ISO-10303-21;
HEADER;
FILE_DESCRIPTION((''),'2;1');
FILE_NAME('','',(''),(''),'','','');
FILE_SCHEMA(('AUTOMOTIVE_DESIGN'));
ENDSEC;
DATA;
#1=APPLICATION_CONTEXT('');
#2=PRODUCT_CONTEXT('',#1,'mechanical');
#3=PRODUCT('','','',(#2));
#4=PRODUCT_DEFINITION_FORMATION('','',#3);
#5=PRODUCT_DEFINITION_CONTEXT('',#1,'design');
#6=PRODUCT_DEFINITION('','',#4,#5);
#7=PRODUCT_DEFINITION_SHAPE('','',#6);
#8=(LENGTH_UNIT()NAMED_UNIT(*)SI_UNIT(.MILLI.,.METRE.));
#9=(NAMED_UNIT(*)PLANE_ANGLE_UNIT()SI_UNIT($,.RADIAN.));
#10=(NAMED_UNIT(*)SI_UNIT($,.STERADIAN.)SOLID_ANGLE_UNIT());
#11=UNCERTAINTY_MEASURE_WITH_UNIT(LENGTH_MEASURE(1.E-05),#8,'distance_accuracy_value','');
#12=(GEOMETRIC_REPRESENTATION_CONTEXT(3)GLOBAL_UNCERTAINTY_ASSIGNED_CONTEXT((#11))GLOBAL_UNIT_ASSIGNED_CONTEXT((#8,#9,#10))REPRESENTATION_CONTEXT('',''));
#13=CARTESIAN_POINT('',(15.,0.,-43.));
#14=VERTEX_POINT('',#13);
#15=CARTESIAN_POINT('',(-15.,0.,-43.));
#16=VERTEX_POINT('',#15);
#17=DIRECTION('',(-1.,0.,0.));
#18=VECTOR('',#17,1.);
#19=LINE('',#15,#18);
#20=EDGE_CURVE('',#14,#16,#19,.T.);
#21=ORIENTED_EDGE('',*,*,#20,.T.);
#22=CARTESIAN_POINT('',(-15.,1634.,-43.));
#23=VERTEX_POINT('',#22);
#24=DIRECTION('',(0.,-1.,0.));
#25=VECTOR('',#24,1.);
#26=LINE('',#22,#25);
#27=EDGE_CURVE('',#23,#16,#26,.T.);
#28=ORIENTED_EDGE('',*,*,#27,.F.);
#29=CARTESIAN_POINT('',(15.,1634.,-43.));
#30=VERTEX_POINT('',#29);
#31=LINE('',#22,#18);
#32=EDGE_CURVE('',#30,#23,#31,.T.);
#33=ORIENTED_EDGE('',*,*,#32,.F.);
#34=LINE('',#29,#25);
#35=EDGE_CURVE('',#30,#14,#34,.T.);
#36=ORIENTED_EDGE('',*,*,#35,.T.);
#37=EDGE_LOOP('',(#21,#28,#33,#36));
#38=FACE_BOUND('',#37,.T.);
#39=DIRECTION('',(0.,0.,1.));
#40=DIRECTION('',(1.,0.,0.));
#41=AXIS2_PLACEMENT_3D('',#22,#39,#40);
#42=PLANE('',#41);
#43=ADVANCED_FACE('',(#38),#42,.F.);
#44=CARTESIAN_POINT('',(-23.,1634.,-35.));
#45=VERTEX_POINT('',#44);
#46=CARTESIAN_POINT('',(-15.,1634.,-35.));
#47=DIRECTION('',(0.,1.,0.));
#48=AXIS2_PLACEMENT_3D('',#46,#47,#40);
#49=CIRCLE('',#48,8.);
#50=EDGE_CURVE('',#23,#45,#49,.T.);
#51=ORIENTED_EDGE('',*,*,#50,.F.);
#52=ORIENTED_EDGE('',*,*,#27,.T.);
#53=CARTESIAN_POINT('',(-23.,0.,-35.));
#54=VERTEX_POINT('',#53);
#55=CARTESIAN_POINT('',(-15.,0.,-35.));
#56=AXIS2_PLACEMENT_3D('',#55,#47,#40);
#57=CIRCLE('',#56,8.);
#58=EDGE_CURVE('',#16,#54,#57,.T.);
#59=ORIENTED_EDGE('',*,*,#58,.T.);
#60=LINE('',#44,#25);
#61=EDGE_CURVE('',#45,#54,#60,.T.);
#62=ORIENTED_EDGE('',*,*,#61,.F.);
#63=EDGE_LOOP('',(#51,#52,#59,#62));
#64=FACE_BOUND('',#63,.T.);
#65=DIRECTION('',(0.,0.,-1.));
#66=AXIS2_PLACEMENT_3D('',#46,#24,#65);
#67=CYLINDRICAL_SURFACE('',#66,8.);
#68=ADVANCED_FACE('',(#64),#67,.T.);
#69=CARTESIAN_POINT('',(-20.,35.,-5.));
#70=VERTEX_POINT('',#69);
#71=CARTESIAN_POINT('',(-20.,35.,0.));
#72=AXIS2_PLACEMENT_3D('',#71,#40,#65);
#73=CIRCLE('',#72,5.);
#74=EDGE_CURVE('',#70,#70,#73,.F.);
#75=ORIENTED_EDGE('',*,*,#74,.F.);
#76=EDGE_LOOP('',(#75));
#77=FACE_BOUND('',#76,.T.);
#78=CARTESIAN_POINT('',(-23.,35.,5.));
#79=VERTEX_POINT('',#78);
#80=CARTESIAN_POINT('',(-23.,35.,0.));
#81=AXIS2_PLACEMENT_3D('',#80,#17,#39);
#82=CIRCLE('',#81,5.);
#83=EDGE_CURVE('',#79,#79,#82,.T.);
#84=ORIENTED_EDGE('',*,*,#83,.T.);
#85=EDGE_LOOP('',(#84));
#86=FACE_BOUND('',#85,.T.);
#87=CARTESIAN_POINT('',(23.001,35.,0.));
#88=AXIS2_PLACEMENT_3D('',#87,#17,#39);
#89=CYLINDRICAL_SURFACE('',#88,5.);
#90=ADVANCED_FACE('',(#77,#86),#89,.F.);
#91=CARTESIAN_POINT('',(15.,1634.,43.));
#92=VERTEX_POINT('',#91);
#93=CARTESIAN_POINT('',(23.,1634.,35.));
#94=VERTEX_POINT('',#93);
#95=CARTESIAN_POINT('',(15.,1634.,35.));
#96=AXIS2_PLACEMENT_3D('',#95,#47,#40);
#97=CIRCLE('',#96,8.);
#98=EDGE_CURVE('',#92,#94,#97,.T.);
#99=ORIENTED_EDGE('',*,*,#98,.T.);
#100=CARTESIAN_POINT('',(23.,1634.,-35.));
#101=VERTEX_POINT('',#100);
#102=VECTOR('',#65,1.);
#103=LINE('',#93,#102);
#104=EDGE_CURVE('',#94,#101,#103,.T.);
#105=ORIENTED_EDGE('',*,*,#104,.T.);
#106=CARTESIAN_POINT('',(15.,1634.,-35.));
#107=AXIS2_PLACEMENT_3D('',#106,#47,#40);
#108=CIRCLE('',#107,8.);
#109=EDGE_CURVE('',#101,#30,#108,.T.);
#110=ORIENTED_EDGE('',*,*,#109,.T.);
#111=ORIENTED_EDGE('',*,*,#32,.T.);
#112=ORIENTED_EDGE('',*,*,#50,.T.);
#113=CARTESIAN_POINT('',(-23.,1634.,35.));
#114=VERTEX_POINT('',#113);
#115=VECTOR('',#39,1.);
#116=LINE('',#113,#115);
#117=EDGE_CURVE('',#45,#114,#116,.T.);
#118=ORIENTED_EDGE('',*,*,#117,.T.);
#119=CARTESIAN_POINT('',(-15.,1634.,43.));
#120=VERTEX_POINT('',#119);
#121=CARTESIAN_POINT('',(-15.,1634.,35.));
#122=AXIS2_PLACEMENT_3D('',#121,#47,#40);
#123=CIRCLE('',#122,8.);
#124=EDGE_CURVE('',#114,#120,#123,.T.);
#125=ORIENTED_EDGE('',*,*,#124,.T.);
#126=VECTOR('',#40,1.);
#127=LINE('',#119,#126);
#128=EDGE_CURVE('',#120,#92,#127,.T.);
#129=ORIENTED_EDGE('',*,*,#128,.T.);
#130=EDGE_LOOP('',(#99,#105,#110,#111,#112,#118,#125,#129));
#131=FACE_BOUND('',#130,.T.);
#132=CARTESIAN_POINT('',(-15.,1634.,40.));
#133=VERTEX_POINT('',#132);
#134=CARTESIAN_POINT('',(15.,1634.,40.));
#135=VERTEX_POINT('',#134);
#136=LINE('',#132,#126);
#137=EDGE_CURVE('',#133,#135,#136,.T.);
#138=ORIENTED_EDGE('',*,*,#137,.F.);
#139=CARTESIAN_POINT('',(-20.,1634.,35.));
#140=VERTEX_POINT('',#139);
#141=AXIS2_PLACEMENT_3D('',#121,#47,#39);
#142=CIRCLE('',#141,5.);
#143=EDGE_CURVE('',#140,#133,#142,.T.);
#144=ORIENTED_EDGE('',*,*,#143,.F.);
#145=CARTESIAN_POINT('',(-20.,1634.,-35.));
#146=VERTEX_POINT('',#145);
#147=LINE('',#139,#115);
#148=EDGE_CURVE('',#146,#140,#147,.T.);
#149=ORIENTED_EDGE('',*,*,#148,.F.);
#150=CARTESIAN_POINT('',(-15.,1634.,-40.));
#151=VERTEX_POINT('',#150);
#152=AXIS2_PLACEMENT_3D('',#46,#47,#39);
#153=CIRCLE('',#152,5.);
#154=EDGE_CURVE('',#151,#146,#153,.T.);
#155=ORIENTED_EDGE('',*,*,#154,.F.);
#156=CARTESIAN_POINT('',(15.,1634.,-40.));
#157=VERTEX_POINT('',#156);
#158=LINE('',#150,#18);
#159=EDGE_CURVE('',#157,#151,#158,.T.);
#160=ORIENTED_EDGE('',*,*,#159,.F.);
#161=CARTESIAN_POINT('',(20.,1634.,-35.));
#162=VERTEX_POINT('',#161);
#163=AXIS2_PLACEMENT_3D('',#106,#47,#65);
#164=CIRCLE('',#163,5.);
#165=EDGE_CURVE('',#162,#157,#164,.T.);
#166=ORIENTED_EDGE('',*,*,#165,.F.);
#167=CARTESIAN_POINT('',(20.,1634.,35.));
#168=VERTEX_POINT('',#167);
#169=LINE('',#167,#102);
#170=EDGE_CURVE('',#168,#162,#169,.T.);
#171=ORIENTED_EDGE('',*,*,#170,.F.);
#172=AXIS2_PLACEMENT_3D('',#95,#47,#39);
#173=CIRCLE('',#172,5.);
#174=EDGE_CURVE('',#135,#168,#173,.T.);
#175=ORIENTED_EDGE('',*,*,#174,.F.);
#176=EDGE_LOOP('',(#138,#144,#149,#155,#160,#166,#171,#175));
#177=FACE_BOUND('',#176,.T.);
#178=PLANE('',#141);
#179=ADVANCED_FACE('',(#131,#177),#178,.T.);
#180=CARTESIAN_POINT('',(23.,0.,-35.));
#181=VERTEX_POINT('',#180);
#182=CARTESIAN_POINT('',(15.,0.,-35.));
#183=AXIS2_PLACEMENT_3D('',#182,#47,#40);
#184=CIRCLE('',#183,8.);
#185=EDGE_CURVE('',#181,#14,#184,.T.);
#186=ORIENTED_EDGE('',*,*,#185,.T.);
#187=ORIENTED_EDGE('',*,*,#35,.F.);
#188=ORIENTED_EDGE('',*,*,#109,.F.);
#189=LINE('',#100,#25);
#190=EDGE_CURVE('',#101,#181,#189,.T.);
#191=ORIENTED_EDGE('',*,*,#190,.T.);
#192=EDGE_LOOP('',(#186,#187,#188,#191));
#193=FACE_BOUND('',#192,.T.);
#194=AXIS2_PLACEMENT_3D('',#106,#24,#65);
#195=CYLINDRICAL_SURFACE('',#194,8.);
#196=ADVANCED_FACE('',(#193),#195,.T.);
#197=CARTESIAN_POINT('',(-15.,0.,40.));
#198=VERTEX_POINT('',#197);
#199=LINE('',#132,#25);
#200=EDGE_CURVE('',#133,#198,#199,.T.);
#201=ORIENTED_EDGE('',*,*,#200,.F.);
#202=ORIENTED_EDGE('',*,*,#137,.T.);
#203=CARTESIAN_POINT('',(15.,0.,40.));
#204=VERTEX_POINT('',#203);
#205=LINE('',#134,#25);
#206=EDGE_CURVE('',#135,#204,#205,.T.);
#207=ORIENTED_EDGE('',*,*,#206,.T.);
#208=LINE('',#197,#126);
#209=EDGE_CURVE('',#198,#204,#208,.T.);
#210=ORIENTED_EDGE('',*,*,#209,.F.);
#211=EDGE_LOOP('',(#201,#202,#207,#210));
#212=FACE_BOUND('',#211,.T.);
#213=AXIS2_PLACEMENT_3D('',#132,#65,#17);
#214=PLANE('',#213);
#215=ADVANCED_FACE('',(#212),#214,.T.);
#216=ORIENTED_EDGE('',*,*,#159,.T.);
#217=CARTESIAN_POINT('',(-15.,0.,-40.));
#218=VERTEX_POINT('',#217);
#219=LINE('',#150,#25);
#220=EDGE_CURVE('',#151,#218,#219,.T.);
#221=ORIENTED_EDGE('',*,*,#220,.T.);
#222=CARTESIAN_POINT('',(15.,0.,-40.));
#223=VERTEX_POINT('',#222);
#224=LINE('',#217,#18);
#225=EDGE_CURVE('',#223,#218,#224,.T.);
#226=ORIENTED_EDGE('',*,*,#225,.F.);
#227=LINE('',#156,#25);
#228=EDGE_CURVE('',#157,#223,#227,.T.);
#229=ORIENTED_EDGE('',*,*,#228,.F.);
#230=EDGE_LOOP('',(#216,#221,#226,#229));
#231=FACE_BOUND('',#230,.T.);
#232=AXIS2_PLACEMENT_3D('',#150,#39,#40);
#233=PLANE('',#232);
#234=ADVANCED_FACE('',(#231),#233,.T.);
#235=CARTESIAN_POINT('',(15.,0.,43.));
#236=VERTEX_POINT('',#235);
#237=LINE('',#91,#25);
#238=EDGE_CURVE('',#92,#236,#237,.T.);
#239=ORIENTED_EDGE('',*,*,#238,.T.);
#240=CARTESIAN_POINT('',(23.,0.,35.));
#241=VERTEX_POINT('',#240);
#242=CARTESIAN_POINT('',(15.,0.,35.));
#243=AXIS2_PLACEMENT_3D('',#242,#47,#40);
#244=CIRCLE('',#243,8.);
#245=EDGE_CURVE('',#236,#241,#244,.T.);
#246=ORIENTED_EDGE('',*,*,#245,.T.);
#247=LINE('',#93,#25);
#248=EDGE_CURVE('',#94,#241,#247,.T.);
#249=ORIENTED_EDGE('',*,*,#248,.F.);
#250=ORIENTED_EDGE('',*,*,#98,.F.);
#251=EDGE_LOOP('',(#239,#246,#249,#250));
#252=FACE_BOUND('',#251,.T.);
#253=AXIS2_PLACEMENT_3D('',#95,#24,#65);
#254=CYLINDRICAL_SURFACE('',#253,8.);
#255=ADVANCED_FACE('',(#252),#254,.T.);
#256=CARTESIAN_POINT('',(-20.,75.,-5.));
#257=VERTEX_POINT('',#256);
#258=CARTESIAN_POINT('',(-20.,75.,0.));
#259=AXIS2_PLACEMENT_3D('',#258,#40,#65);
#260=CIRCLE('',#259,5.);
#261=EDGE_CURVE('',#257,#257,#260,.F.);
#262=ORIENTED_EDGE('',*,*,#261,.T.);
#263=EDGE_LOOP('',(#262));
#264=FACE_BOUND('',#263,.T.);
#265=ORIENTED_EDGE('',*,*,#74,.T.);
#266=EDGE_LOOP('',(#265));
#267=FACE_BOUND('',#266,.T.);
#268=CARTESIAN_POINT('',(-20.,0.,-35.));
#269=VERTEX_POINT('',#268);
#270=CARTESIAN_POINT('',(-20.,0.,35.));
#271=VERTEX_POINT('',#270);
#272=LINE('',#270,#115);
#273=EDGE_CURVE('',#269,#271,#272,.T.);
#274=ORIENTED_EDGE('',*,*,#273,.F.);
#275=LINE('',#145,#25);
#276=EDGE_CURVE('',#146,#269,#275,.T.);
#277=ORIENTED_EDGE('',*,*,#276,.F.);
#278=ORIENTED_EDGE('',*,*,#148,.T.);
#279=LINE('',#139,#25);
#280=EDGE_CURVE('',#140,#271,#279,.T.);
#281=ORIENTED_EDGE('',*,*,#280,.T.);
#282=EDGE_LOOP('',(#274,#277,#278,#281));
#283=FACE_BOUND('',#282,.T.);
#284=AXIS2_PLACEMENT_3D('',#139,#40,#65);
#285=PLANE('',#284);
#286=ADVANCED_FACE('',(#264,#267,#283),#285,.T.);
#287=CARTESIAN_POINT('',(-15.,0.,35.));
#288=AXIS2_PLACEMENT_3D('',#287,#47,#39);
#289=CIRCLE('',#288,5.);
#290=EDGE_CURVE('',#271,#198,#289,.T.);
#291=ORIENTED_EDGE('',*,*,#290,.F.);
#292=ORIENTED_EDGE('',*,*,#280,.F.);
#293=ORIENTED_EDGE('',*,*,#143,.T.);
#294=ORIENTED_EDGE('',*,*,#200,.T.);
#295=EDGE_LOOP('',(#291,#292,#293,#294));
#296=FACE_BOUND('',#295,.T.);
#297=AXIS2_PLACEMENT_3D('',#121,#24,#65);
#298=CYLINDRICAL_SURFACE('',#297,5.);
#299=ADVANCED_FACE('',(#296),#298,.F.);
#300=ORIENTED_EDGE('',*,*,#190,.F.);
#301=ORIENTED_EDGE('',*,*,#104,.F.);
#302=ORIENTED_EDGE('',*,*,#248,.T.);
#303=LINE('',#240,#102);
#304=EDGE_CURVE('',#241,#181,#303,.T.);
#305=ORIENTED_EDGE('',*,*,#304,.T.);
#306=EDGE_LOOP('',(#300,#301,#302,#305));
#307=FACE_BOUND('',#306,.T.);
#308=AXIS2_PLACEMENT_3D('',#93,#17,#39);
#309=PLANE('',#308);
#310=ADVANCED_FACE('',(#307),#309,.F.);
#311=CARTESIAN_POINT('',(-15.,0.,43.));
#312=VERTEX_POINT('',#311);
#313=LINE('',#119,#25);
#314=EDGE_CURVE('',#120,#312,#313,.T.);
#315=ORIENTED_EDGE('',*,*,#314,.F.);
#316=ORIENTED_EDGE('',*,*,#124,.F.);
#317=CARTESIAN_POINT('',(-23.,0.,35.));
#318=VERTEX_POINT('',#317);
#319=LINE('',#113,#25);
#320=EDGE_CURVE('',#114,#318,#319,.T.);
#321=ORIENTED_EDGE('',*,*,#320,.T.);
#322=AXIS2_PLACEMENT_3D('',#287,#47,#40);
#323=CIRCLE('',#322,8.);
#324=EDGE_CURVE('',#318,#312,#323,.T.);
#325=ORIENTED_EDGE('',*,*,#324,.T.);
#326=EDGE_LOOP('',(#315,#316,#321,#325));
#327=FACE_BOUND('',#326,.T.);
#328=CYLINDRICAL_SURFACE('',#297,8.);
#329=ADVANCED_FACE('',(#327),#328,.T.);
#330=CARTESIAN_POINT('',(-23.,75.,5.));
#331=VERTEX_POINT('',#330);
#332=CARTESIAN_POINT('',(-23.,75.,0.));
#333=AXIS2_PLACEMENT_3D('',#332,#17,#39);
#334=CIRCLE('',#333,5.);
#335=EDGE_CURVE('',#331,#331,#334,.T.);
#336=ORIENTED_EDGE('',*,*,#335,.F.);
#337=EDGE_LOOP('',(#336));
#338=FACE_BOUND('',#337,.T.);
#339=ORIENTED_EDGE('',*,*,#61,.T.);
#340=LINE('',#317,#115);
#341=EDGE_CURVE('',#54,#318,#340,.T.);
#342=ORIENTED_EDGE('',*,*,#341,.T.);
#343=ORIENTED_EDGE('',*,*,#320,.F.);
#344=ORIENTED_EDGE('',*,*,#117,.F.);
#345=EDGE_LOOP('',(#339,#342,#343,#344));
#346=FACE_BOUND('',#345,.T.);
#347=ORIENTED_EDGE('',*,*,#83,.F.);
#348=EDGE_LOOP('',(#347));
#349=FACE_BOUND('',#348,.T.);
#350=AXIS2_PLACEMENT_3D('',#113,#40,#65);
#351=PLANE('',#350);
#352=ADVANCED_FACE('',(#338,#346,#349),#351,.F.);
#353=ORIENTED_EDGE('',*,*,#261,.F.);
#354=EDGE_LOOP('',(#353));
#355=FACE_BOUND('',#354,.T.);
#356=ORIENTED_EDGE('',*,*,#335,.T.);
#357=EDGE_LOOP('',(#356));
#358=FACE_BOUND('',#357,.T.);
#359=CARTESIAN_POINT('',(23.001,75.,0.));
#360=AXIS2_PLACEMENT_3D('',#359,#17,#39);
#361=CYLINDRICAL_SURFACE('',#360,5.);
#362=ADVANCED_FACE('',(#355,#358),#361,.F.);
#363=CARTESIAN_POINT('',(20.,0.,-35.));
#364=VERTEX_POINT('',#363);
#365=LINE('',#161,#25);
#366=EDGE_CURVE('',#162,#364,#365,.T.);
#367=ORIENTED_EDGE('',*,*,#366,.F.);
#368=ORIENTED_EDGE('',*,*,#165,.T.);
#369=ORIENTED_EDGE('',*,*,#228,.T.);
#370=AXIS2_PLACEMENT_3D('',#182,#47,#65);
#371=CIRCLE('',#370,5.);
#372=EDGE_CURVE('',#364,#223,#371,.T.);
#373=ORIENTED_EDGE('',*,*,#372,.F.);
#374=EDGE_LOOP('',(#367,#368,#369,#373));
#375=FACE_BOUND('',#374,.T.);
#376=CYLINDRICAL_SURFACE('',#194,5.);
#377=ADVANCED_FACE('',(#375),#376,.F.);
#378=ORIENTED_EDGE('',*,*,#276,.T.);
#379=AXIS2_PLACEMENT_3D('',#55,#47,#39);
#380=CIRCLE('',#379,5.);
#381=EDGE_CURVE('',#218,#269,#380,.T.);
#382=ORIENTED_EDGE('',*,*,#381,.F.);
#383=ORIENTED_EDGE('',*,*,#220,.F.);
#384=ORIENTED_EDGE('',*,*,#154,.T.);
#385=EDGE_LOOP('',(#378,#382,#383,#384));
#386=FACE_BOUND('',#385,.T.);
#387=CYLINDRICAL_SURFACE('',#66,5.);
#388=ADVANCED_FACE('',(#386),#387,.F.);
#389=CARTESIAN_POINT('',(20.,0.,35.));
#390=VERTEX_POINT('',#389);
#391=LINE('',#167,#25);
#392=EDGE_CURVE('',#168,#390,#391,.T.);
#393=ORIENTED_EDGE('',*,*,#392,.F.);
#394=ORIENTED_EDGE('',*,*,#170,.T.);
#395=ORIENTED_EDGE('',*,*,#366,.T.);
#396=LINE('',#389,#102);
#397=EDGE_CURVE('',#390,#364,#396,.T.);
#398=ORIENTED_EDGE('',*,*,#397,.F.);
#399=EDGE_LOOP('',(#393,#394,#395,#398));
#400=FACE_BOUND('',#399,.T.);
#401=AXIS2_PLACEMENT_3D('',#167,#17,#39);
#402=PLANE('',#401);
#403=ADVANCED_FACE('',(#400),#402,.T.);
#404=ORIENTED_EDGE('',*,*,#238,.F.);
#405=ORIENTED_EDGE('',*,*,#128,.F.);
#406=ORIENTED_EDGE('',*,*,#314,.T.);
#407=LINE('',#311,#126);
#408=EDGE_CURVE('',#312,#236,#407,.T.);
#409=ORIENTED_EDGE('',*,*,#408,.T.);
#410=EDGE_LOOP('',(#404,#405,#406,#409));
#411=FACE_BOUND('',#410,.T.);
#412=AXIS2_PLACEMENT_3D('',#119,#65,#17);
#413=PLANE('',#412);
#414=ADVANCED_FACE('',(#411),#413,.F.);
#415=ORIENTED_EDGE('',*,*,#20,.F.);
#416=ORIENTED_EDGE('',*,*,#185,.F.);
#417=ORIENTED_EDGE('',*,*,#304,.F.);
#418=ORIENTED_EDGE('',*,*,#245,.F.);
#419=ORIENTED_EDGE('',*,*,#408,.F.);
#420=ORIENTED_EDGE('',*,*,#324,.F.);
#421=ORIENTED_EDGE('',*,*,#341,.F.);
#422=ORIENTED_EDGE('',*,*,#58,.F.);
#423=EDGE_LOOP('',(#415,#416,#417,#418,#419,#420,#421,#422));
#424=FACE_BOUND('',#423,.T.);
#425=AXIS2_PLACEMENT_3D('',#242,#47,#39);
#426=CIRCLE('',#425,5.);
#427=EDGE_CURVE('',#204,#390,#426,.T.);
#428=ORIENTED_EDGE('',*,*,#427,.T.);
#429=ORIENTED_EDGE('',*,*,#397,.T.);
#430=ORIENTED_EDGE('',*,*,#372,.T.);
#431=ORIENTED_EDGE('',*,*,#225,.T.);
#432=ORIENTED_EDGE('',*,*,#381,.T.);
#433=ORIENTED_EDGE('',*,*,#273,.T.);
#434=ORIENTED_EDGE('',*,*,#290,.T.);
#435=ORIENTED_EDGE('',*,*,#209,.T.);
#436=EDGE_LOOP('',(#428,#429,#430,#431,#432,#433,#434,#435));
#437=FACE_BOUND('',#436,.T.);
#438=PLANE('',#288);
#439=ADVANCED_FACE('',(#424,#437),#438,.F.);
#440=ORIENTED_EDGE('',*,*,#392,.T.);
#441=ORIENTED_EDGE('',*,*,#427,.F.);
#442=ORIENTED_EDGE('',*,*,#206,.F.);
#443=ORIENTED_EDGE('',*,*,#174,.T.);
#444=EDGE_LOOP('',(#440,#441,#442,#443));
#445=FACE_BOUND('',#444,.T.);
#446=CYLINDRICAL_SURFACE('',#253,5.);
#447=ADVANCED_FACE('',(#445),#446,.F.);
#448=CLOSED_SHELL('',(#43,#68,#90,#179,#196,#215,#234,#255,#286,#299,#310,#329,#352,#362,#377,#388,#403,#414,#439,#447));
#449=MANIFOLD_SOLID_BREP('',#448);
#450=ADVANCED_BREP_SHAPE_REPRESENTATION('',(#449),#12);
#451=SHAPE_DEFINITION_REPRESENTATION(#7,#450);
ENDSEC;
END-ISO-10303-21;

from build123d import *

# Parameters (mm, degrees)
EXTRUDE_THIN1_DEPTH = 1634
CUT_EXTRUDE1_REACH  = 1637.213
SKETCH7_R           = 5


with BuildPart() as part:
    # Sketch6 → Extrude-Thin1 (new body)
    with BuildSketch(Plane(origin=(0, 0, 0), x_dir=(1, 0, 0), z_dir=(0, 1, 0))):
        with BuildLine():
            Line((-23, 35), (-23, -35))
            ThreePointArc((-23, -35), (-20.656854249, -40.656854249), (-15, -43))
            Line((-15, -43), (15, -43))
            ThreePointArc((15, -43), (20.656854249, -40.656854249), (23, -35))
            Line((23, -35), (23, 35))
            ThreePointArc((23, 35), (20.656854249, 40.656854249), (15, 43))
            Line((15, 43), (-15, 43))
            ThreePointArc((-15, 43), (-20.656854249, 40.656854249), (-23, 35))
        make_face()
        with BuildLine():
            Line((-20, 35), (-20, -35))
            ThreePointArc((-20, -35), (-18.535533906, -38.535533906), (-15, -40))
            Line((-15, -40), (15, -40))
            ThreePointArc((15, -40), (18.535533906, -38.535533906), (20, -35))
            Line((20, -35), (20, 35))
            ThreePointArc((20, 35), (18.535533906, 38.535533906), (15, 40))
            Line((15, 40), (-15, 40))
            ThreePointArc((-15, 40), (-18.535533906, 38.535533906), (-20, 35))
        make_face(mode=Mode.SUBTRACT)
    extrude(amount=EXTRUDE_THIN1_DEPTH)

    # Sketch7 → Cut-Extrude1 (cut, up to next)
    with BuildSketch(Plane.ZY.offset(23), mode=Mode.PRIVATE) as cut_extrude1_sk1:
        with Locations((0, 35)):
            Circle(SKETCH7_R)
    cut_extrude1_tool1 = extrude(cut_extrude1_sk1.sketch, amount=-CUT_EXTRUDE1_REACH, mode=Mode.PRIVATE) & part.part
    # Sketch7 → Cut-Extrude1 (cut, up to next)
    with BuildSketch(Plane.ZY.offset(23), mode=Mode.PRIVATE) as cut_extrude1_sk2:
        with Locations((0, 75)):
            Circle(SKETCH7_R)
    cut_extrude1_tool2 = extrude(cut_extrude1_sk2.sketch, amount=-CUT_EXTRUDE1_REACH, mode=Mode.PRIVATE) & part.part
    add(cut_extrude1_tool1.solids().sort_by_distance((-23, 35, 0))[0], mode=Mode.SUBTRACT)
    add(cut_extrude1_tool2.solids().sort_by_distance((-23, 75, 0))[0], mode=Mode.SUBTRACT)


solid = part.part
